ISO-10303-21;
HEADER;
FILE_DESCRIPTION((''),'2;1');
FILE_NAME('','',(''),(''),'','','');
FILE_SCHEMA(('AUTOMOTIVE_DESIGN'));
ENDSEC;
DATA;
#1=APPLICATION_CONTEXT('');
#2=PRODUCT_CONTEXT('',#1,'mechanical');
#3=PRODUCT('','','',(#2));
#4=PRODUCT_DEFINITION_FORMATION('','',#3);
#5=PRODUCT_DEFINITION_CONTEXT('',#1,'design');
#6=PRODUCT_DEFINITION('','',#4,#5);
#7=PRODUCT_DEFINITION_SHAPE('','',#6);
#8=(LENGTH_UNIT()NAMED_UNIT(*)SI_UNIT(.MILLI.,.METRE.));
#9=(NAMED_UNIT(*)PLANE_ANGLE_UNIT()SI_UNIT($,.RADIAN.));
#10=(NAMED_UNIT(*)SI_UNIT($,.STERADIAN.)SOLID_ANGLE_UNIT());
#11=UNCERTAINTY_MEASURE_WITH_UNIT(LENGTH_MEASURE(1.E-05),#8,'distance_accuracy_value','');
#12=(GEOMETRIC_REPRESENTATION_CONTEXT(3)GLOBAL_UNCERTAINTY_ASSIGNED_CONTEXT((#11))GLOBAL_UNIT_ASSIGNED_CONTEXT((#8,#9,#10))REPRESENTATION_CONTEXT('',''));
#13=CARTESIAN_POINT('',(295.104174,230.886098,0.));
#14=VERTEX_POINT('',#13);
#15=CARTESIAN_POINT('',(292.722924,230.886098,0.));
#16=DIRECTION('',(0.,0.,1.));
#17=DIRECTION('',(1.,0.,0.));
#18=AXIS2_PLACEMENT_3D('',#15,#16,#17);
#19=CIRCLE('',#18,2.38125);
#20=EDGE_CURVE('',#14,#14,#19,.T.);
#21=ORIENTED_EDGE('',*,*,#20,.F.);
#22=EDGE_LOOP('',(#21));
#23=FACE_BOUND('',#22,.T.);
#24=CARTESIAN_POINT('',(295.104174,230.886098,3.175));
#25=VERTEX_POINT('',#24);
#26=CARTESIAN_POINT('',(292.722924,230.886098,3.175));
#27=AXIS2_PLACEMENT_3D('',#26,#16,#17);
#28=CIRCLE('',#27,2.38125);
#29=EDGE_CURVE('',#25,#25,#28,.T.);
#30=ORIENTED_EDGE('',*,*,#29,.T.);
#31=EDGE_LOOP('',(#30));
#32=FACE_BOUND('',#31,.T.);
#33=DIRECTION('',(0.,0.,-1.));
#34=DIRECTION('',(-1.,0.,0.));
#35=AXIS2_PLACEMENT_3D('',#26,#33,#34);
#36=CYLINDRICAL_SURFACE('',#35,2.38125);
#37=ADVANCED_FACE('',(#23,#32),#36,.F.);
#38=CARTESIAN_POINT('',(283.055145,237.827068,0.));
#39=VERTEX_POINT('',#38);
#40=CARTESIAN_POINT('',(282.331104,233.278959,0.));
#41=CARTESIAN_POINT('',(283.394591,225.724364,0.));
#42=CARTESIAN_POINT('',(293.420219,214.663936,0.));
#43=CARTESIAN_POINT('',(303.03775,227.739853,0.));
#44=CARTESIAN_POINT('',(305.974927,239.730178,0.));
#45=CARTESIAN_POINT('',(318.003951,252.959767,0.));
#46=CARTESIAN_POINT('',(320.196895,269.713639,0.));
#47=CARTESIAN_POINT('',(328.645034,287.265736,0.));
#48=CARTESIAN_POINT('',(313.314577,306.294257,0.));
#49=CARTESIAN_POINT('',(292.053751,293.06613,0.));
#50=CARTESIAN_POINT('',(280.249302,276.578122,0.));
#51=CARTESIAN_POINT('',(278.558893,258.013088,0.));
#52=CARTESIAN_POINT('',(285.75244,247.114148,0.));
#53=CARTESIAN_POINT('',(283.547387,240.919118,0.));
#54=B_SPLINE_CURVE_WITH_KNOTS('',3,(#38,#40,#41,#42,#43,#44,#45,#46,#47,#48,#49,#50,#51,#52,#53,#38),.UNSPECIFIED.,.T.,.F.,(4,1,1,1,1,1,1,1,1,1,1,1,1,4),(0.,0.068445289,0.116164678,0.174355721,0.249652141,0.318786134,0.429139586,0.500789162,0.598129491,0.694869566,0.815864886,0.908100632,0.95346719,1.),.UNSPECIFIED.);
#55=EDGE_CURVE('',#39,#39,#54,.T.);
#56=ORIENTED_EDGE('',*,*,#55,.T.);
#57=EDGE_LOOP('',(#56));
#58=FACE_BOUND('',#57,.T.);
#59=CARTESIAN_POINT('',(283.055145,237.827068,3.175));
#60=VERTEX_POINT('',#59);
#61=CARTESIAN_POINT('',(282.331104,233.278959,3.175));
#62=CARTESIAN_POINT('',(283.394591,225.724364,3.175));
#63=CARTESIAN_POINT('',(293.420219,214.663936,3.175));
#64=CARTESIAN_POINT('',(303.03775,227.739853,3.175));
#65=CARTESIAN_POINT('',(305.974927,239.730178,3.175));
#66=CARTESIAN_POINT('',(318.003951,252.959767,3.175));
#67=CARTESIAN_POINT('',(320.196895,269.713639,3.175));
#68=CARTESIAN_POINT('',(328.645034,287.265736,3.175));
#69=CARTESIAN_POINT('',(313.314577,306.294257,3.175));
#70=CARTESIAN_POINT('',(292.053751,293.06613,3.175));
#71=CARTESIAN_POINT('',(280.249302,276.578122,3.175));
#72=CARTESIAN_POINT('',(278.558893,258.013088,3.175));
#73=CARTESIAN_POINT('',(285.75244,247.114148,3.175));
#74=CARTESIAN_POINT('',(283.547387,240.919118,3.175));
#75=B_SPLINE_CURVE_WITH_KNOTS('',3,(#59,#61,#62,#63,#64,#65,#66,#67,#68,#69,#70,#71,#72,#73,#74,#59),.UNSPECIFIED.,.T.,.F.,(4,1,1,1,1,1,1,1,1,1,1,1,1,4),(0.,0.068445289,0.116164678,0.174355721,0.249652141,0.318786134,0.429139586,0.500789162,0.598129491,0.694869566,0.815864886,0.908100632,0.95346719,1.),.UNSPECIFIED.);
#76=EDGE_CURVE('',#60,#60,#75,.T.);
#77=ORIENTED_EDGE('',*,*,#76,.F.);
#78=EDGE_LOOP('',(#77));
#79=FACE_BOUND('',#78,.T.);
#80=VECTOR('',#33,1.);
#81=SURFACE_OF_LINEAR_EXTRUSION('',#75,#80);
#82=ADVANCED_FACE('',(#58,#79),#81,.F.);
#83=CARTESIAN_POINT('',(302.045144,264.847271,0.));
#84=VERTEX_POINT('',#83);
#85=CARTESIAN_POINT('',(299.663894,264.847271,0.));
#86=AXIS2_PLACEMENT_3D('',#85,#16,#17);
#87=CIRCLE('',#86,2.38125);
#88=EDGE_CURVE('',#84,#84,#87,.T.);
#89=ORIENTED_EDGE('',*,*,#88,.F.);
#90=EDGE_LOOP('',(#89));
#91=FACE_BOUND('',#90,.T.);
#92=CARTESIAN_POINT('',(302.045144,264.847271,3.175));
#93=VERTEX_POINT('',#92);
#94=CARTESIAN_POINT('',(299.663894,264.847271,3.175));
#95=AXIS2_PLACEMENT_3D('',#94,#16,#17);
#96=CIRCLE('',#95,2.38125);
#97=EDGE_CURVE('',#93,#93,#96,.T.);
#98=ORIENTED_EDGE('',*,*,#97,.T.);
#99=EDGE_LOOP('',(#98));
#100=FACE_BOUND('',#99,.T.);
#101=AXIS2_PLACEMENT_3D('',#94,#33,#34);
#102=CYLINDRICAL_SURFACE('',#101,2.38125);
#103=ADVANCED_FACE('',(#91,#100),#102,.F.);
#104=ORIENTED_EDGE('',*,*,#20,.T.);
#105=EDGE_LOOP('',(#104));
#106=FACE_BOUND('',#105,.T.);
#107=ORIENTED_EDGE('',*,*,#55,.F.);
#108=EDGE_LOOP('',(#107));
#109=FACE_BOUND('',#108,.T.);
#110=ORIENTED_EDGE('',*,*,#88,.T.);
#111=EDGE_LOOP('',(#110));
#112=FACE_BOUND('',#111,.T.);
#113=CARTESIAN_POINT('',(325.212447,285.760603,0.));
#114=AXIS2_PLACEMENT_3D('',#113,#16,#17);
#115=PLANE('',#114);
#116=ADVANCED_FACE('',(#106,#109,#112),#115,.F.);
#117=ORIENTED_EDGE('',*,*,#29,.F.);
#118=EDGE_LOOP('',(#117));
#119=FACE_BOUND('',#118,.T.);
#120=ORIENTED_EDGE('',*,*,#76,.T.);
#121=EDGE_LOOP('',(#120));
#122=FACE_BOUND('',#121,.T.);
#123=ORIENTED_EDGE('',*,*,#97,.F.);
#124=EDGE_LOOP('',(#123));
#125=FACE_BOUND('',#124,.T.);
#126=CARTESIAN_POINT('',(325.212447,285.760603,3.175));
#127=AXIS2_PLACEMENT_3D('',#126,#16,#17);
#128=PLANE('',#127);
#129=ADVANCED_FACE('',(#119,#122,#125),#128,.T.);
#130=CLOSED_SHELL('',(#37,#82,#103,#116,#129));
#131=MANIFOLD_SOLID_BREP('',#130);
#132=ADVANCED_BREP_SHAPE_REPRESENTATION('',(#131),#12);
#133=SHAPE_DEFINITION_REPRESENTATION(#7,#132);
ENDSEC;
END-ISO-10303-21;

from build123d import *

# Parameters (mm, degrees)
SKETCH1_R           = 2.38125
BOSS_EXTRUDE1_DEPTH = 3.175


with BuildPart() as part:
    # Sketch1 → Boss-Extrude1 (new body)
    with BuildSketch(Plane.XY):
        with BuildLine():
            add(Edge.make_bspline(
                [(283.05514499, 237.827067537), (283.547387232, 240.919117609), (285.75244035, 247.114148413), (278.558893423, 258.013088166), (280.249302446, 276.578122362), (292.053750531, 293.066129838), (313.314576683, 306.294257446), (328.645034259, 287.265736466), (320.196895259, 269.71363934), (318.003950983, 252.959767112), (305.974927076, 239.730178242), (303.03774951, 227.739852532), (293.420219347, 214.663935577), (283.394591114, 225.72436445), (282.331103987, 233.278959214), (283.05514499, 237.827067537)],
                knots=[0, 0, 0, 0, 0.04653281, 0.091899368, 0.184135114, 0.305130434, 0.401870509, 0.499210838, 0.570860414, 0.681213866, 0.750347859, 0.825644279, 0.883835322, 0.931554711, 1, 1, 1, 1], degree=3))
        make_face()
        with Locations((299.663894036, 264.84727121)):
            Circle(SKETCH1_R, mode=Mode.SUBTRACT)
        with Locations((292.722924285, 230.886097787)):
            Circle(SKETCH1_R, mode=Mode.SUBTRACT)
    extrude(amount=BOSS_EXTRUDE1_DEPTH)


solid = part.part
